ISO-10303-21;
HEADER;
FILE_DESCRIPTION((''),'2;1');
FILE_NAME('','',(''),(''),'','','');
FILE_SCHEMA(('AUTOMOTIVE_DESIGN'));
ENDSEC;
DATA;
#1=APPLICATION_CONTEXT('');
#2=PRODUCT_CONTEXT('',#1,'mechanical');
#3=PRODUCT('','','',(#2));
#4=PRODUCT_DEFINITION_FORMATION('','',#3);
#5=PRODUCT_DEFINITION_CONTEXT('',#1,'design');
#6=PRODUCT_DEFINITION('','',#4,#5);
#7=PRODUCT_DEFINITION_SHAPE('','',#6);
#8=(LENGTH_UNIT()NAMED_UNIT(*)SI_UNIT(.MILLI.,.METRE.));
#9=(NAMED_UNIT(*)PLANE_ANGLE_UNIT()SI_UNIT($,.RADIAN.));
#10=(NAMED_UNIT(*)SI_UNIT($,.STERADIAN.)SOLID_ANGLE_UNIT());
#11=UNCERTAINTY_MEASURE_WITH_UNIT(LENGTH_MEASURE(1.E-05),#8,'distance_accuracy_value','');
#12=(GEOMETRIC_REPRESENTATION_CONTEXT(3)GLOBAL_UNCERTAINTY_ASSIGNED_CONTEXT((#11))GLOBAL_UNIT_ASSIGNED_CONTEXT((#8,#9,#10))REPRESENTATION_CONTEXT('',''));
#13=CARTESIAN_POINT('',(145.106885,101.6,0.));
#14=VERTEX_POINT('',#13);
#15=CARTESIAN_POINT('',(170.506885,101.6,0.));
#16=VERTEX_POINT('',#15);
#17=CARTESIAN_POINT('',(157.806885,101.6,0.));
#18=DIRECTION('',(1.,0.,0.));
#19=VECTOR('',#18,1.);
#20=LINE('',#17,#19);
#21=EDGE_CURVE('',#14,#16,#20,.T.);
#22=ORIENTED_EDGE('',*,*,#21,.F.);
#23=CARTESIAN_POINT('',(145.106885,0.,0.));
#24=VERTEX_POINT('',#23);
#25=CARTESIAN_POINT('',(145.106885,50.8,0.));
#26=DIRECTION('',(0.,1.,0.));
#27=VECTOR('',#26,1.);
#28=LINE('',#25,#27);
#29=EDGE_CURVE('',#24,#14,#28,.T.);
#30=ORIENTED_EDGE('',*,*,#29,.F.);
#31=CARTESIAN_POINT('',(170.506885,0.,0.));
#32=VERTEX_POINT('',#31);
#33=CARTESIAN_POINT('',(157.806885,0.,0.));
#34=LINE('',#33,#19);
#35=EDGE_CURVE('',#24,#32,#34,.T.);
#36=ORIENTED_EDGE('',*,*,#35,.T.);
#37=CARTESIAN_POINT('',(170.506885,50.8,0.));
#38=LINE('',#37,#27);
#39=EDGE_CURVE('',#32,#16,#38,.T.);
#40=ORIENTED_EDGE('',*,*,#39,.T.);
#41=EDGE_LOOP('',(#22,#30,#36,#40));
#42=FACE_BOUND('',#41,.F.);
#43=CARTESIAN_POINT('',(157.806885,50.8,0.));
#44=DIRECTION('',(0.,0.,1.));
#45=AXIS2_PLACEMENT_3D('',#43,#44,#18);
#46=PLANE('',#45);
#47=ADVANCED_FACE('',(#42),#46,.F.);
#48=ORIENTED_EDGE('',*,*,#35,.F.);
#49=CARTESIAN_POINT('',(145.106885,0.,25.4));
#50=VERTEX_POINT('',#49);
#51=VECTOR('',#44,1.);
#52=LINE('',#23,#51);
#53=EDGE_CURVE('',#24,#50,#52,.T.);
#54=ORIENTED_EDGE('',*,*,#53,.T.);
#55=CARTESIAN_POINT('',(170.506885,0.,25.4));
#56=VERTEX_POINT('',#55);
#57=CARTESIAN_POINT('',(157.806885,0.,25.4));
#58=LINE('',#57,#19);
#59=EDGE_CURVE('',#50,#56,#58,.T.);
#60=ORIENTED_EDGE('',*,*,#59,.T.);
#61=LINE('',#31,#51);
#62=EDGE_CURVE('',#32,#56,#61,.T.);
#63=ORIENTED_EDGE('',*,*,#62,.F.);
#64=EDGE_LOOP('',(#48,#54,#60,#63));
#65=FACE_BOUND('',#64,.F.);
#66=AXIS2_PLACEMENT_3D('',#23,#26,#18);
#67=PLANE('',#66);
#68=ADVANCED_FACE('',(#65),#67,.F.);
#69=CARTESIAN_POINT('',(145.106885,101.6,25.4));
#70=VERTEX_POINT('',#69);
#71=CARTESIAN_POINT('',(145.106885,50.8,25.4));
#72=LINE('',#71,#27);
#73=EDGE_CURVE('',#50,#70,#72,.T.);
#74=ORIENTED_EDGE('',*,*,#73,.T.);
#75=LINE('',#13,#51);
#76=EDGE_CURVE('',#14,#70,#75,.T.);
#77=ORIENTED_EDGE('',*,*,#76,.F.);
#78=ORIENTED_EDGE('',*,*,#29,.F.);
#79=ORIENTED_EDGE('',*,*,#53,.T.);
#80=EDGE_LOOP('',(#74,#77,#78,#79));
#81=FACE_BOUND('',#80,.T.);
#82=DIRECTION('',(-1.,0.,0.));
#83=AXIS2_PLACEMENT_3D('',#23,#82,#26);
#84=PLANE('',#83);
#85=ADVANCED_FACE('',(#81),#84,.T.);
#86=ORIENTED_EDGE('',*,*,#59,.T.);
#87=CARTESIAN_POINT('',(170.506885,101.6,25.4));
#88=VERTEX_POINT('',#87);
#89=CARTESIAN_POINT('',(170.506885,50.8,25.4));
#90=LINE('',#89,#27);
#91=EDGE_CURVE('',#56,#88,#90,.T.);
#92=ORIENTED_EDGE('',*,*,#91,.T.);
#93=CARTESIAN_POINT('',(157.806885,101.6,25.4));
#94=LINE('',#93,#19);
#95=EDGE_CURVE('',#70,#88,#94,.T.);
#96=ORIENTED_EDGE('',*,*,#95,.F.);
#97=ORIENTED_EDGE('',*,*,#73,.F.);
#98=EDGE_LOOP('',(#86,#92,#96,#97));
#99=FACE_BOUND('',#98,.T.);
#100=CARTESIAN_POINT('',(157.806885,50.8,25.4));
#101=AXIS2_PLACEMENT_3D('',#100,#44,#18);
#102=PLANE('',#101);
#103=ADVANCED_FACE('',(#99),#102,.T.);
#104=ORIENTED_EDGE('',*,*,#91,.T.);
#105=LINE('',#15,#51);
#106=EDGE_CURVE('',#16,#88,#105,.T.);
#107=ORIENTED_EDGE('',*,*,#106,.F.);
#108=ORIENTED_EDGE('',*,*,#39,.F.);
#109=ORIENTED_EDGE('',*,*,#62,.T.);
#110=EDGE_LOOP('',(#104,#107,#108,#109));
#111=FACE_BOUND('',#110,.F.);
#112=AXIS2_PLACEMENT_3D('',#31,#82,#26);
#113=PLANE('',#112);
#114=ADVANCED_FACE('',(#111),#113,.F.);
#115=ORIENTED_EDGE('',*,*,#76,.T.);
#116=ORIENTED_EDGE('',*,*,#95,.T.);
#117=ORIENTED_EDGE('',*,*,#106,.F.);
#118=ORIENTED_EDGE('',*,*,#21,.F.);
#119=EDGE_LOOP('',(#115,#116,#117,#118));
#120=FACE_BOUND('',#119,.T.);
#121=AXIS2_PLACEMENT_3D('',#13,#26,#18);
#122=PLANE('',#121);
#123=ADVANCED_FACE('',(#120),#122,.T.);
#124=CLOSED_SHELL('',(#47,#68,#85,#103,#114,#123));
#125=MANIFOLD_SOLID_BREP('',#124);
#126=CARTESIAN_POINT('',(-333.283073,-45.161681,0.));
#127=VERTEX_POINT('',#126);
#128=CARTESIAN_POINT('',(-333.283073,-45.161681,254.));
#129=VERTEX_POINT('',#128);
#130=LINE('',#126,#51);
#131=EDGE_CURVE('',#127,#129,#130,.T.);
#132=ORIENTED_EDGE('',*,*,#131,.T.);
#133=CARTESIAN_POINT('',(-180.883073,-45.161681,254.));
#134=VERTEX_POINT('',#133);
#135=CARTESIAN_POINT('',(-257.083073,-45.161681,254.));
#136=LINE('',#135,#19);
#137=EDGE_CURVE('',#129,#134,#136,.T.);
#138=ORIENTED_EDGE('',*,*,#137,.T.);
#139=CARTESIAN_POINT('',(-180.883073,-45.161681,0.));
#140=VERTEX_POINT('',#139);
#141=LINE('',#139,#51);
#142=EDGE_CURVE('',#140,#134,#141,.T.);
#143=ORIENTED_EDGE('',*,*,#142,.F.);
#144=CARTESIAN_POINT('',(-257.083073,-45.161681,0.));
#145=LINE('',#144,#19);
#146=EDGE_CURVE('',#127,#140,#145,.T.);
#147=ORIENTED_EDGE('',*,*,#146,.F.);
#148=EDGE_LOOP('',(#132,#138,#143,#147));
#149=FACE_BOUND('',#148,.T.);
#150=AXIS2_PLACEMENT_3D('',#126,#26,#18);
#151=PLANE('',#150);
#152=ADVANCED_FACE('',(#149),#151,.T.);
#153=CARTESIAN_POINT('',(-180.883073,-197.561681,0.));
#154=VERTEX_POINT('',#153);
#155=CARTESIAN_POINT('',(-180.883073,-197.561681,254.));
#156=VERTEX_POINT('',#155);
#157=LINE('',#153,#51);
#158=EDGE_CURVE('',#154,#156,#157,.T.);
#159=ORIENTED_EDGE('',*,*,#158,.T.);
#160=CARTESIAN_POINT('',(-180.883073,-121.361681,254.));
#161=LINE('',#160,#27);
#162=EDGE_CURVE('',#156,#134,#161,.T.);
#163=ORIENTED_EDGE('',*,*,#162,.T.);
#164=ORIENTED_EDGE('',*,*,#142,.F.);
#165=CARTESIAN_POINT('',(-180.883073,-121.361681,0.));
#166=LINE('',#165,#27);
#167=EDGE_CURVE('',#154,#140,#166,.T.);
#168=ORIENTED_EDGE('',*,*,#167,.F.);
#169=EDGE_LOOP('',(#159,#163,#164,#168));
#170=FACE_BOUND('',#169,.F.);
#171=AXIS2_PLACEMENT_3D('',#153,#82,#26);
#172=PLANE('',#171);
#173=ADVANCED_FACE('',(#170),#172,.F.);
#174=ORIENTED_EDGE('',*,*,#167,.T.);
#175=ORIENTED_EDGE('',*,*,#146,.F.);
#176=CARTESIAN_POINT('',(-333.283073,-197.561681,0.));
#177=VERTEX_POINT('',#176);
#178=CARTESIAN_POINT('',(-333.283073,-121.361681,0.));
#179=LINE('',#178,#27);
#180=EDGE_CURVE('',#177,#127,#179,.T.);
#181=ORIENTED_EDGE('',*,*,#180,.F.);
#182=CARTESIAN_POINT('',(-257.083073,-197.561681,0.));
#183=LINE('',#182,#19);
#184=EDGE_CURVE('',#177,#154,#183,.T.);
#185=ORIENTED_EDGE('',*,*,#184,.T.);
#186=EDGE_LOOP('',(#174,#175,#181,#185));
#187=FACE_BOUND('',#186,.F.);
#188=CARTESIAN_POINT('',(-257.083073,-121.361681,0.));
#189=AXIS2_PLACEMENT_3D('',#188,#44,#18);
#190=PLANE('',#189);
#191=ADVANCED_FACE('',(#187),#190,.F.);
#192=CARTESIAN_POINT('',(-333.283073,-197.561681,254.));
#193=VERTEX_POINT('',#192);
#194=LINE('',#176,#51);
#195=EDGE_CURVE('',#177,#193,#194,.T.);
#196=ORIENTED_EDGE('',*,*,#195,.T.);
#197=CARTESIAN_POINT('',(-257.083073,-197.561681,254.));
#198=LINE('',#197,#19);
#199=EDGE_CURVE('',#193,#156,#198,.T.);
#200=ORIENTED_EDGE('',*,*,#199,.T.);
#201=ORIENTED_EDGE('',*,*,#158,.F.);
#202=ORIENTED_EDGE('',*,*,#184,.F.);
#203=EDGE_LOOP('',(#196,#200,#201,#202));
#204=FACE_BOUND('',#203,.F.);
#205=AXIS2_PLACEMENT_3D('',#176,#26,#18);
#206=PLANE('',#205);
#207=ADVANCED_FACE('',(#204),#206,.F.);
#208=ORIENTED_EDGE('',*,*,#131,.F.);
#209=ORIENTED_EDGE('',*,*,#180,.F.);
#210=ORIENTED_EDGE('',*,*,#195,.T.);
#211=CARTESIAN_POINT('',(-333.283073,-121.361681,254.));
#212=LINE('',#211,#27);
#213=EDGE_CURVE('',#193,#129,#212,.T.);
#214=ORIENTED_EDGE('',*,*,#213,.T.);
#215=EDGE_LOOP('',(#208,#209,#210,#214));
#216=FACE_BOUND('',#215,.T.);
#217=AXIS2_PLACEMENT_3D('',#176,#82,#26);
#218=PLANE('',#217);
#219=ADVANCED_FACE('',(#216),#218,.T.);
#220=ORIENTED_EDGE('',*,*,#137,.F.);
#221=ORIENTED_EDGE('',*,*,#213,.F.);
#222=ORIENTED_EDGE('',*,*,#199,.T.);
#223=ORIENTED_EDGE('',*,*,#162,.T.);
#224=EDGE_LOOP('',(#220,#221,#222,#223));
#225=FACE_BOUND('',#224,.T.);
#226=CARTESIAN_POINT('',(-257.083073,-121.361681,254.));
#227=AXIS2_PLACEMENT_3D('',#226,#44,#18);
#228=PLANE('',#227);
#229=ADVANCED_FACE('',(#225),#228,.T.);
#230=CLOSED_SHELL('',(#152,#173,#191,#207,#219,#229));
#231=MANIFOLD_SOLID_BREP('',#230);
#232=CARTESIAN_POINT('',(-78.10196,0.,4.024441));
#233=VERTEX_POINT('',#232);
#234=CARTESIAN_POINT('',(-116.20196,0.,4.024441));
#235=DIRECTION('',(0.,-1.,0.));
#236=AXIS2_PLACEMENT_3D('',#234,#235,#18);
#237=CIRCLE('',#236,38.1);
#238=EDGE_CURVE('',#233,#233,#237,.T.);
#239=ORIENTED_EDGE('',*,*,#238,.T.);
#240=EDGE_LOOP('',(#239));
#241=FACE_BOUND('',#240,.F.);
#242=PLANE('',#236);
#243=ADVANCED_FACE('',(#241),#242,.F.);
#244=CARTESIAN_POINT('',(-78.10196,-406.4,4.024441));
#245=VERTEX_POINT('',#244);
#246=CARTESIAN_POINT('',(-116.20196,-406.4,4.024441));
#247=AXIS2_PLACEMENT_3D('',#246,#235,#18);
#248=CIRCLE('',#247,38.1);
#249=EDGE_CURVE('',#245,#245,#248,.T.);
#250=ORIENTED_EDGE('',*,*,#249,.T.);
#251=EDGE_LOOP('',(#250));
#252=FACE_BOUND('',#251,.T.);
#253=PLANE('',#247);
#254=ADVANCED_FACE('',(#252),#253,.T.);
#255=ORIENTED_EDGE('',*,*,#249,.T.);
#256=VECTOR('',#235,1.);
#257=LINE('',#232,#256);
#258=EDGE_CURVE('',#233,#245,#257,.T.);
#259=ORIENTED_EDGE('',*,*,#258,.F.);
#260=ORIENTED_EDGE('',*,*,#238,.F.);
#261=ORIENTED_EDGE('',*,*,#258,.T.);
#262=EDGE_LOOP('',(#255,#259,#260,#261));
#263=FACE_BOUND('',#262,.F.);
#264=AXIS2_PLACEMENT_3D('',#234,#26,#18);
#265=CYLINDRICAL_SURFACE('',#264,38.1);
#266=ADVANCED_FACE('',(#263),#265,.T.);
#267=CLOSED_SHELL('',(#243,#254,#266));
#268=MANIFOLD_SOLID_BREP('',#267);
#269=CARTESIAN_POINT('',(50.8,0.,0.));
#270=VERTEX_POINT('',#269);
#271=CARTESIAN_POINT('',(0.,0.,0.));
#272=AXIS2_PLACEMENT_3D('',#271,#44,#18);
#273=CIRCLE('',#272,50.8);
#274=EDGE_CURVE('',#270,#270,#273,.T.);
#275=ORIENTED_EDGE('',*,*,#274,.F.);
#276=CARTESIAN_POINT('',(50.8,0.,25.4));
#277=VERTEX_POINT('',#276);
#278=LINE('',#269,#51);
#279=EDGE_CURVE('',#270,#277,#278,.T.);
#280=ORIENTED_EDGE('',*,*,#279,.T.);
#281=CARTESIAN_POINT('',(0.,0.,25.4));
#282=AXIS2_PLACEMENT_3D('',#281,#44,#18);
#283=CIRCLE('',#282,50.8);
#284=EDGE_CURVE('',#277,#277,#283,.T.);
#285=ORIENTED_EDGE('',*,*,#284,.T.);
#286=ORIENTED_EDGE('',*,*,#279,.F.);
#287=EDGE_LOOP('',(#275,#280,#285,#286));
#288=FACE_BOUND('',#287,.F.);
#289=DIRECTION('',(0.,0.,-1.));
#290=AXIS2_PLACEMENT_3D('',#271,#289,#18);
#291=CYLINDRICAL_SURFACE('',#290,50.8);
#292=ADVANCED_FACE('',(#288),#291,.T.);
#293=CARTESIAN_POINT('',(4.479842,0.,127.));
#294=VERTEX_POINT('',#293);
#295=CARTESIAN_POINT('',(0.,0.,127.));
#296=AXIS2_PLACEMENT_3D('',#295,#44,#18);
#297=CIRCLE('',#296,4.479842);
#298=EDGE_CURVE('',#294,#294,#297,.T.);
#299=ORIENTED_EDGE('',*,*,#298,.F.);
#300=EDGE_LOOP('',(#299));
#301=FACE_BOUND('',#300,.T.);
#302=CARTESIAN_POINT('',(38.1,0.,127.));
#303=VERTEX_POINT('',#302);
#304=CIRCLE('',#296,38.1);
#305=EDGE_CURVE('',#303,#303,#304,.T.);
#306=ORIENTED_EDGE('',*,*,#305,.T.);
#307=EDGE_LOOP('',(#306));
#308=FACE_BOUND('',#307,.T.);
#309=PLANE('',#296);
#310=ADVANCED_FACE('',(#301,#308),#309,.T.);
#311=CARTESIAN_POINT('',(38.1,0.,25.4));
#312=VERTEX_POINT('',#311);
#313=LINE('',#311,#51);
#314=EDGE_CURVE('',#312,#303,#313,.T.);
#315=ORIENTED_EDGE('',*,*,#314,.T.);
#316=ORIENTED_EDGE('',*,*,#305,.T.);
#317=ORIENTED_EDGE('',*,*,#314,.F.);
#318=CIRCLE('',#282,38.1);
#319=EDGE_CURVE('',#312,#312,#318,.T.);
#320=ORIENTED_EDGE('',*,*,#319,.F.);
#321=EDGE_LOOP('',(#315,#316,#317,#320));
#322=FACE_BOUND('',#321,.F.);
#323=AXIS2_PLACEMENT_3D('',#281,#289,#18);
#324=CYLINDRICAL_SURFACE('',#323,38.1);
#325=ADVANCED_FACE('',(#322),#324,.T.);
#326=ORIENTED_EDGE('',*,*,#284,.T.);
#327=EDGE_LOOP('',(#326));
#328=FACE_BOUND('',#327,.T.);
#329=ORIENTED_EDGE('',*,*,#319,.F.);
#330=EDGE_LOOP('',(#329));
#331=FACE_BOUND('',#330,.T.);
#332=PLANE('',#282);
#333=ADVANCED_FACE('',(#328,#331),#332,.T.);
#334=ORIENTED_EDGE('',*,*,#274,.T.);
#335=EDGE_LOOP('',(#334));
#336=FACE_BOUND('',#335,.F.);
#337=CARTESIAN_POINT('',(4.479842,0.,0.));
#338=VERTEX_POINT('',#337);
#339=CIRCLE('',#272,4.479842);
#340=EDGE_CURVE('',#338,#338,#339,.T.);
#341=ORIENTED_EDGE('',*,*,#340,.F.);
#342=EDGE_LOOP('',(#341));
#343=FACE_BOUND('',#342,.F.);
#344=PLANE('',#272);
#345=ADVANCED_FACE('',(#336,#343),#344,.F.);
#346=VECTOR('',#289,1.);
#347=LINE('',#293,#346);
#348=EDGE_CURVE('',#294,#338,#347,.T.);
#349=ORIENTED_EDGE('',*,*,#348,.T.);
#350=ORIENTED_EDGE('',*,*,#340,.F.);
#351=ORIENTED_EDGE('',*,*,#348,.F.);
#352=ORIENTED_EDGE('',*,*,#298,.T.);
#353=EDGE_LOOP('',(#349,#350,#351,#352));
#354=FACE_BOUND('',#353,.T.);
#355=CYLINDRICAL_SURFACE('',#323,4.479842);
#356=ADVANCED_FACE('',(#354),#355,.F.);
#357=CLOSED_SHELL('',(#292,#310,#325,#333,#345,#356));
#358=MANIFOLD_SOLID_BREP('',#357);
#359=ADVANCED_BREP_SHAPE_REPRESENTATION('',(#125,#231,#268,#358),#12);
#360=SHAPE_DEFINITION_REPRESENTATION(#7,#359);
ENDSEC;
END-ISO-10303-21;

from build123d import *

# Parameters (mm, degrees)
F0_R     = 50.8
F0_R_2   = 4.479842
F1_DEPTH = 25.4
F2_R     = 38.1
F3_DEPTH = 406.4
F4_W     = 152.4
F4_H     = 152.4
F5_DEPTH = 254
F6_R     = 38.1
F6_R_2   = 4.479842
F7_DEPTH = 101.6
F8_W     = 25.4
F8_H     = 101.6
F9_DEPTH = 25.4


with BuildPart() as f1:
    # F0 (on Top) → F1 (new body)
    with BuildSketch(Plane.XY):
        Circle(F0_R)
        Circle(F0_R_2, mode=Mode.SUBTRACT)
    extrude(amount=F1_DEPTH)

    # F6 (on face) → F7 (join)
    with BuildSketch(Plane.XY.offset(25.4)):
        Circle(F6_R)
        Circle(F6_R_2, mode=Mode.SUBTRACT)
    extrude(amount=F7_DEPTH)


with BuildPart() as f3:
    # F2 (on Front) → F3 (new body)
    with BuildSketch(Plane.XZ):
        with Locations((-116.20196, 4.024441)):
            Circle(F2_R)
    extrude(amount=F3_DEPTH)


with BuildPart() as f5:
    # F4 (on Top) → F5 (new body)
    with BuildSketch(Plane.XY):
        with Locations((-257.083073, -121.361681)):
            Rectangle(F4_W, F4_H)
    extrude(amount=F5_DEPTH)


with BuildPart() as f9:
    # F8 (on Top) → F9 (new body)
    with BuildSketch(Plane.XY):
        with Locations((157.806885, 50.8)):
            Rectangle(F8_W, F8_H)
    extrude(amount=F9_DEPTH)


solid = Compound([f1.part, f3.part, f5.part, f9.part])
